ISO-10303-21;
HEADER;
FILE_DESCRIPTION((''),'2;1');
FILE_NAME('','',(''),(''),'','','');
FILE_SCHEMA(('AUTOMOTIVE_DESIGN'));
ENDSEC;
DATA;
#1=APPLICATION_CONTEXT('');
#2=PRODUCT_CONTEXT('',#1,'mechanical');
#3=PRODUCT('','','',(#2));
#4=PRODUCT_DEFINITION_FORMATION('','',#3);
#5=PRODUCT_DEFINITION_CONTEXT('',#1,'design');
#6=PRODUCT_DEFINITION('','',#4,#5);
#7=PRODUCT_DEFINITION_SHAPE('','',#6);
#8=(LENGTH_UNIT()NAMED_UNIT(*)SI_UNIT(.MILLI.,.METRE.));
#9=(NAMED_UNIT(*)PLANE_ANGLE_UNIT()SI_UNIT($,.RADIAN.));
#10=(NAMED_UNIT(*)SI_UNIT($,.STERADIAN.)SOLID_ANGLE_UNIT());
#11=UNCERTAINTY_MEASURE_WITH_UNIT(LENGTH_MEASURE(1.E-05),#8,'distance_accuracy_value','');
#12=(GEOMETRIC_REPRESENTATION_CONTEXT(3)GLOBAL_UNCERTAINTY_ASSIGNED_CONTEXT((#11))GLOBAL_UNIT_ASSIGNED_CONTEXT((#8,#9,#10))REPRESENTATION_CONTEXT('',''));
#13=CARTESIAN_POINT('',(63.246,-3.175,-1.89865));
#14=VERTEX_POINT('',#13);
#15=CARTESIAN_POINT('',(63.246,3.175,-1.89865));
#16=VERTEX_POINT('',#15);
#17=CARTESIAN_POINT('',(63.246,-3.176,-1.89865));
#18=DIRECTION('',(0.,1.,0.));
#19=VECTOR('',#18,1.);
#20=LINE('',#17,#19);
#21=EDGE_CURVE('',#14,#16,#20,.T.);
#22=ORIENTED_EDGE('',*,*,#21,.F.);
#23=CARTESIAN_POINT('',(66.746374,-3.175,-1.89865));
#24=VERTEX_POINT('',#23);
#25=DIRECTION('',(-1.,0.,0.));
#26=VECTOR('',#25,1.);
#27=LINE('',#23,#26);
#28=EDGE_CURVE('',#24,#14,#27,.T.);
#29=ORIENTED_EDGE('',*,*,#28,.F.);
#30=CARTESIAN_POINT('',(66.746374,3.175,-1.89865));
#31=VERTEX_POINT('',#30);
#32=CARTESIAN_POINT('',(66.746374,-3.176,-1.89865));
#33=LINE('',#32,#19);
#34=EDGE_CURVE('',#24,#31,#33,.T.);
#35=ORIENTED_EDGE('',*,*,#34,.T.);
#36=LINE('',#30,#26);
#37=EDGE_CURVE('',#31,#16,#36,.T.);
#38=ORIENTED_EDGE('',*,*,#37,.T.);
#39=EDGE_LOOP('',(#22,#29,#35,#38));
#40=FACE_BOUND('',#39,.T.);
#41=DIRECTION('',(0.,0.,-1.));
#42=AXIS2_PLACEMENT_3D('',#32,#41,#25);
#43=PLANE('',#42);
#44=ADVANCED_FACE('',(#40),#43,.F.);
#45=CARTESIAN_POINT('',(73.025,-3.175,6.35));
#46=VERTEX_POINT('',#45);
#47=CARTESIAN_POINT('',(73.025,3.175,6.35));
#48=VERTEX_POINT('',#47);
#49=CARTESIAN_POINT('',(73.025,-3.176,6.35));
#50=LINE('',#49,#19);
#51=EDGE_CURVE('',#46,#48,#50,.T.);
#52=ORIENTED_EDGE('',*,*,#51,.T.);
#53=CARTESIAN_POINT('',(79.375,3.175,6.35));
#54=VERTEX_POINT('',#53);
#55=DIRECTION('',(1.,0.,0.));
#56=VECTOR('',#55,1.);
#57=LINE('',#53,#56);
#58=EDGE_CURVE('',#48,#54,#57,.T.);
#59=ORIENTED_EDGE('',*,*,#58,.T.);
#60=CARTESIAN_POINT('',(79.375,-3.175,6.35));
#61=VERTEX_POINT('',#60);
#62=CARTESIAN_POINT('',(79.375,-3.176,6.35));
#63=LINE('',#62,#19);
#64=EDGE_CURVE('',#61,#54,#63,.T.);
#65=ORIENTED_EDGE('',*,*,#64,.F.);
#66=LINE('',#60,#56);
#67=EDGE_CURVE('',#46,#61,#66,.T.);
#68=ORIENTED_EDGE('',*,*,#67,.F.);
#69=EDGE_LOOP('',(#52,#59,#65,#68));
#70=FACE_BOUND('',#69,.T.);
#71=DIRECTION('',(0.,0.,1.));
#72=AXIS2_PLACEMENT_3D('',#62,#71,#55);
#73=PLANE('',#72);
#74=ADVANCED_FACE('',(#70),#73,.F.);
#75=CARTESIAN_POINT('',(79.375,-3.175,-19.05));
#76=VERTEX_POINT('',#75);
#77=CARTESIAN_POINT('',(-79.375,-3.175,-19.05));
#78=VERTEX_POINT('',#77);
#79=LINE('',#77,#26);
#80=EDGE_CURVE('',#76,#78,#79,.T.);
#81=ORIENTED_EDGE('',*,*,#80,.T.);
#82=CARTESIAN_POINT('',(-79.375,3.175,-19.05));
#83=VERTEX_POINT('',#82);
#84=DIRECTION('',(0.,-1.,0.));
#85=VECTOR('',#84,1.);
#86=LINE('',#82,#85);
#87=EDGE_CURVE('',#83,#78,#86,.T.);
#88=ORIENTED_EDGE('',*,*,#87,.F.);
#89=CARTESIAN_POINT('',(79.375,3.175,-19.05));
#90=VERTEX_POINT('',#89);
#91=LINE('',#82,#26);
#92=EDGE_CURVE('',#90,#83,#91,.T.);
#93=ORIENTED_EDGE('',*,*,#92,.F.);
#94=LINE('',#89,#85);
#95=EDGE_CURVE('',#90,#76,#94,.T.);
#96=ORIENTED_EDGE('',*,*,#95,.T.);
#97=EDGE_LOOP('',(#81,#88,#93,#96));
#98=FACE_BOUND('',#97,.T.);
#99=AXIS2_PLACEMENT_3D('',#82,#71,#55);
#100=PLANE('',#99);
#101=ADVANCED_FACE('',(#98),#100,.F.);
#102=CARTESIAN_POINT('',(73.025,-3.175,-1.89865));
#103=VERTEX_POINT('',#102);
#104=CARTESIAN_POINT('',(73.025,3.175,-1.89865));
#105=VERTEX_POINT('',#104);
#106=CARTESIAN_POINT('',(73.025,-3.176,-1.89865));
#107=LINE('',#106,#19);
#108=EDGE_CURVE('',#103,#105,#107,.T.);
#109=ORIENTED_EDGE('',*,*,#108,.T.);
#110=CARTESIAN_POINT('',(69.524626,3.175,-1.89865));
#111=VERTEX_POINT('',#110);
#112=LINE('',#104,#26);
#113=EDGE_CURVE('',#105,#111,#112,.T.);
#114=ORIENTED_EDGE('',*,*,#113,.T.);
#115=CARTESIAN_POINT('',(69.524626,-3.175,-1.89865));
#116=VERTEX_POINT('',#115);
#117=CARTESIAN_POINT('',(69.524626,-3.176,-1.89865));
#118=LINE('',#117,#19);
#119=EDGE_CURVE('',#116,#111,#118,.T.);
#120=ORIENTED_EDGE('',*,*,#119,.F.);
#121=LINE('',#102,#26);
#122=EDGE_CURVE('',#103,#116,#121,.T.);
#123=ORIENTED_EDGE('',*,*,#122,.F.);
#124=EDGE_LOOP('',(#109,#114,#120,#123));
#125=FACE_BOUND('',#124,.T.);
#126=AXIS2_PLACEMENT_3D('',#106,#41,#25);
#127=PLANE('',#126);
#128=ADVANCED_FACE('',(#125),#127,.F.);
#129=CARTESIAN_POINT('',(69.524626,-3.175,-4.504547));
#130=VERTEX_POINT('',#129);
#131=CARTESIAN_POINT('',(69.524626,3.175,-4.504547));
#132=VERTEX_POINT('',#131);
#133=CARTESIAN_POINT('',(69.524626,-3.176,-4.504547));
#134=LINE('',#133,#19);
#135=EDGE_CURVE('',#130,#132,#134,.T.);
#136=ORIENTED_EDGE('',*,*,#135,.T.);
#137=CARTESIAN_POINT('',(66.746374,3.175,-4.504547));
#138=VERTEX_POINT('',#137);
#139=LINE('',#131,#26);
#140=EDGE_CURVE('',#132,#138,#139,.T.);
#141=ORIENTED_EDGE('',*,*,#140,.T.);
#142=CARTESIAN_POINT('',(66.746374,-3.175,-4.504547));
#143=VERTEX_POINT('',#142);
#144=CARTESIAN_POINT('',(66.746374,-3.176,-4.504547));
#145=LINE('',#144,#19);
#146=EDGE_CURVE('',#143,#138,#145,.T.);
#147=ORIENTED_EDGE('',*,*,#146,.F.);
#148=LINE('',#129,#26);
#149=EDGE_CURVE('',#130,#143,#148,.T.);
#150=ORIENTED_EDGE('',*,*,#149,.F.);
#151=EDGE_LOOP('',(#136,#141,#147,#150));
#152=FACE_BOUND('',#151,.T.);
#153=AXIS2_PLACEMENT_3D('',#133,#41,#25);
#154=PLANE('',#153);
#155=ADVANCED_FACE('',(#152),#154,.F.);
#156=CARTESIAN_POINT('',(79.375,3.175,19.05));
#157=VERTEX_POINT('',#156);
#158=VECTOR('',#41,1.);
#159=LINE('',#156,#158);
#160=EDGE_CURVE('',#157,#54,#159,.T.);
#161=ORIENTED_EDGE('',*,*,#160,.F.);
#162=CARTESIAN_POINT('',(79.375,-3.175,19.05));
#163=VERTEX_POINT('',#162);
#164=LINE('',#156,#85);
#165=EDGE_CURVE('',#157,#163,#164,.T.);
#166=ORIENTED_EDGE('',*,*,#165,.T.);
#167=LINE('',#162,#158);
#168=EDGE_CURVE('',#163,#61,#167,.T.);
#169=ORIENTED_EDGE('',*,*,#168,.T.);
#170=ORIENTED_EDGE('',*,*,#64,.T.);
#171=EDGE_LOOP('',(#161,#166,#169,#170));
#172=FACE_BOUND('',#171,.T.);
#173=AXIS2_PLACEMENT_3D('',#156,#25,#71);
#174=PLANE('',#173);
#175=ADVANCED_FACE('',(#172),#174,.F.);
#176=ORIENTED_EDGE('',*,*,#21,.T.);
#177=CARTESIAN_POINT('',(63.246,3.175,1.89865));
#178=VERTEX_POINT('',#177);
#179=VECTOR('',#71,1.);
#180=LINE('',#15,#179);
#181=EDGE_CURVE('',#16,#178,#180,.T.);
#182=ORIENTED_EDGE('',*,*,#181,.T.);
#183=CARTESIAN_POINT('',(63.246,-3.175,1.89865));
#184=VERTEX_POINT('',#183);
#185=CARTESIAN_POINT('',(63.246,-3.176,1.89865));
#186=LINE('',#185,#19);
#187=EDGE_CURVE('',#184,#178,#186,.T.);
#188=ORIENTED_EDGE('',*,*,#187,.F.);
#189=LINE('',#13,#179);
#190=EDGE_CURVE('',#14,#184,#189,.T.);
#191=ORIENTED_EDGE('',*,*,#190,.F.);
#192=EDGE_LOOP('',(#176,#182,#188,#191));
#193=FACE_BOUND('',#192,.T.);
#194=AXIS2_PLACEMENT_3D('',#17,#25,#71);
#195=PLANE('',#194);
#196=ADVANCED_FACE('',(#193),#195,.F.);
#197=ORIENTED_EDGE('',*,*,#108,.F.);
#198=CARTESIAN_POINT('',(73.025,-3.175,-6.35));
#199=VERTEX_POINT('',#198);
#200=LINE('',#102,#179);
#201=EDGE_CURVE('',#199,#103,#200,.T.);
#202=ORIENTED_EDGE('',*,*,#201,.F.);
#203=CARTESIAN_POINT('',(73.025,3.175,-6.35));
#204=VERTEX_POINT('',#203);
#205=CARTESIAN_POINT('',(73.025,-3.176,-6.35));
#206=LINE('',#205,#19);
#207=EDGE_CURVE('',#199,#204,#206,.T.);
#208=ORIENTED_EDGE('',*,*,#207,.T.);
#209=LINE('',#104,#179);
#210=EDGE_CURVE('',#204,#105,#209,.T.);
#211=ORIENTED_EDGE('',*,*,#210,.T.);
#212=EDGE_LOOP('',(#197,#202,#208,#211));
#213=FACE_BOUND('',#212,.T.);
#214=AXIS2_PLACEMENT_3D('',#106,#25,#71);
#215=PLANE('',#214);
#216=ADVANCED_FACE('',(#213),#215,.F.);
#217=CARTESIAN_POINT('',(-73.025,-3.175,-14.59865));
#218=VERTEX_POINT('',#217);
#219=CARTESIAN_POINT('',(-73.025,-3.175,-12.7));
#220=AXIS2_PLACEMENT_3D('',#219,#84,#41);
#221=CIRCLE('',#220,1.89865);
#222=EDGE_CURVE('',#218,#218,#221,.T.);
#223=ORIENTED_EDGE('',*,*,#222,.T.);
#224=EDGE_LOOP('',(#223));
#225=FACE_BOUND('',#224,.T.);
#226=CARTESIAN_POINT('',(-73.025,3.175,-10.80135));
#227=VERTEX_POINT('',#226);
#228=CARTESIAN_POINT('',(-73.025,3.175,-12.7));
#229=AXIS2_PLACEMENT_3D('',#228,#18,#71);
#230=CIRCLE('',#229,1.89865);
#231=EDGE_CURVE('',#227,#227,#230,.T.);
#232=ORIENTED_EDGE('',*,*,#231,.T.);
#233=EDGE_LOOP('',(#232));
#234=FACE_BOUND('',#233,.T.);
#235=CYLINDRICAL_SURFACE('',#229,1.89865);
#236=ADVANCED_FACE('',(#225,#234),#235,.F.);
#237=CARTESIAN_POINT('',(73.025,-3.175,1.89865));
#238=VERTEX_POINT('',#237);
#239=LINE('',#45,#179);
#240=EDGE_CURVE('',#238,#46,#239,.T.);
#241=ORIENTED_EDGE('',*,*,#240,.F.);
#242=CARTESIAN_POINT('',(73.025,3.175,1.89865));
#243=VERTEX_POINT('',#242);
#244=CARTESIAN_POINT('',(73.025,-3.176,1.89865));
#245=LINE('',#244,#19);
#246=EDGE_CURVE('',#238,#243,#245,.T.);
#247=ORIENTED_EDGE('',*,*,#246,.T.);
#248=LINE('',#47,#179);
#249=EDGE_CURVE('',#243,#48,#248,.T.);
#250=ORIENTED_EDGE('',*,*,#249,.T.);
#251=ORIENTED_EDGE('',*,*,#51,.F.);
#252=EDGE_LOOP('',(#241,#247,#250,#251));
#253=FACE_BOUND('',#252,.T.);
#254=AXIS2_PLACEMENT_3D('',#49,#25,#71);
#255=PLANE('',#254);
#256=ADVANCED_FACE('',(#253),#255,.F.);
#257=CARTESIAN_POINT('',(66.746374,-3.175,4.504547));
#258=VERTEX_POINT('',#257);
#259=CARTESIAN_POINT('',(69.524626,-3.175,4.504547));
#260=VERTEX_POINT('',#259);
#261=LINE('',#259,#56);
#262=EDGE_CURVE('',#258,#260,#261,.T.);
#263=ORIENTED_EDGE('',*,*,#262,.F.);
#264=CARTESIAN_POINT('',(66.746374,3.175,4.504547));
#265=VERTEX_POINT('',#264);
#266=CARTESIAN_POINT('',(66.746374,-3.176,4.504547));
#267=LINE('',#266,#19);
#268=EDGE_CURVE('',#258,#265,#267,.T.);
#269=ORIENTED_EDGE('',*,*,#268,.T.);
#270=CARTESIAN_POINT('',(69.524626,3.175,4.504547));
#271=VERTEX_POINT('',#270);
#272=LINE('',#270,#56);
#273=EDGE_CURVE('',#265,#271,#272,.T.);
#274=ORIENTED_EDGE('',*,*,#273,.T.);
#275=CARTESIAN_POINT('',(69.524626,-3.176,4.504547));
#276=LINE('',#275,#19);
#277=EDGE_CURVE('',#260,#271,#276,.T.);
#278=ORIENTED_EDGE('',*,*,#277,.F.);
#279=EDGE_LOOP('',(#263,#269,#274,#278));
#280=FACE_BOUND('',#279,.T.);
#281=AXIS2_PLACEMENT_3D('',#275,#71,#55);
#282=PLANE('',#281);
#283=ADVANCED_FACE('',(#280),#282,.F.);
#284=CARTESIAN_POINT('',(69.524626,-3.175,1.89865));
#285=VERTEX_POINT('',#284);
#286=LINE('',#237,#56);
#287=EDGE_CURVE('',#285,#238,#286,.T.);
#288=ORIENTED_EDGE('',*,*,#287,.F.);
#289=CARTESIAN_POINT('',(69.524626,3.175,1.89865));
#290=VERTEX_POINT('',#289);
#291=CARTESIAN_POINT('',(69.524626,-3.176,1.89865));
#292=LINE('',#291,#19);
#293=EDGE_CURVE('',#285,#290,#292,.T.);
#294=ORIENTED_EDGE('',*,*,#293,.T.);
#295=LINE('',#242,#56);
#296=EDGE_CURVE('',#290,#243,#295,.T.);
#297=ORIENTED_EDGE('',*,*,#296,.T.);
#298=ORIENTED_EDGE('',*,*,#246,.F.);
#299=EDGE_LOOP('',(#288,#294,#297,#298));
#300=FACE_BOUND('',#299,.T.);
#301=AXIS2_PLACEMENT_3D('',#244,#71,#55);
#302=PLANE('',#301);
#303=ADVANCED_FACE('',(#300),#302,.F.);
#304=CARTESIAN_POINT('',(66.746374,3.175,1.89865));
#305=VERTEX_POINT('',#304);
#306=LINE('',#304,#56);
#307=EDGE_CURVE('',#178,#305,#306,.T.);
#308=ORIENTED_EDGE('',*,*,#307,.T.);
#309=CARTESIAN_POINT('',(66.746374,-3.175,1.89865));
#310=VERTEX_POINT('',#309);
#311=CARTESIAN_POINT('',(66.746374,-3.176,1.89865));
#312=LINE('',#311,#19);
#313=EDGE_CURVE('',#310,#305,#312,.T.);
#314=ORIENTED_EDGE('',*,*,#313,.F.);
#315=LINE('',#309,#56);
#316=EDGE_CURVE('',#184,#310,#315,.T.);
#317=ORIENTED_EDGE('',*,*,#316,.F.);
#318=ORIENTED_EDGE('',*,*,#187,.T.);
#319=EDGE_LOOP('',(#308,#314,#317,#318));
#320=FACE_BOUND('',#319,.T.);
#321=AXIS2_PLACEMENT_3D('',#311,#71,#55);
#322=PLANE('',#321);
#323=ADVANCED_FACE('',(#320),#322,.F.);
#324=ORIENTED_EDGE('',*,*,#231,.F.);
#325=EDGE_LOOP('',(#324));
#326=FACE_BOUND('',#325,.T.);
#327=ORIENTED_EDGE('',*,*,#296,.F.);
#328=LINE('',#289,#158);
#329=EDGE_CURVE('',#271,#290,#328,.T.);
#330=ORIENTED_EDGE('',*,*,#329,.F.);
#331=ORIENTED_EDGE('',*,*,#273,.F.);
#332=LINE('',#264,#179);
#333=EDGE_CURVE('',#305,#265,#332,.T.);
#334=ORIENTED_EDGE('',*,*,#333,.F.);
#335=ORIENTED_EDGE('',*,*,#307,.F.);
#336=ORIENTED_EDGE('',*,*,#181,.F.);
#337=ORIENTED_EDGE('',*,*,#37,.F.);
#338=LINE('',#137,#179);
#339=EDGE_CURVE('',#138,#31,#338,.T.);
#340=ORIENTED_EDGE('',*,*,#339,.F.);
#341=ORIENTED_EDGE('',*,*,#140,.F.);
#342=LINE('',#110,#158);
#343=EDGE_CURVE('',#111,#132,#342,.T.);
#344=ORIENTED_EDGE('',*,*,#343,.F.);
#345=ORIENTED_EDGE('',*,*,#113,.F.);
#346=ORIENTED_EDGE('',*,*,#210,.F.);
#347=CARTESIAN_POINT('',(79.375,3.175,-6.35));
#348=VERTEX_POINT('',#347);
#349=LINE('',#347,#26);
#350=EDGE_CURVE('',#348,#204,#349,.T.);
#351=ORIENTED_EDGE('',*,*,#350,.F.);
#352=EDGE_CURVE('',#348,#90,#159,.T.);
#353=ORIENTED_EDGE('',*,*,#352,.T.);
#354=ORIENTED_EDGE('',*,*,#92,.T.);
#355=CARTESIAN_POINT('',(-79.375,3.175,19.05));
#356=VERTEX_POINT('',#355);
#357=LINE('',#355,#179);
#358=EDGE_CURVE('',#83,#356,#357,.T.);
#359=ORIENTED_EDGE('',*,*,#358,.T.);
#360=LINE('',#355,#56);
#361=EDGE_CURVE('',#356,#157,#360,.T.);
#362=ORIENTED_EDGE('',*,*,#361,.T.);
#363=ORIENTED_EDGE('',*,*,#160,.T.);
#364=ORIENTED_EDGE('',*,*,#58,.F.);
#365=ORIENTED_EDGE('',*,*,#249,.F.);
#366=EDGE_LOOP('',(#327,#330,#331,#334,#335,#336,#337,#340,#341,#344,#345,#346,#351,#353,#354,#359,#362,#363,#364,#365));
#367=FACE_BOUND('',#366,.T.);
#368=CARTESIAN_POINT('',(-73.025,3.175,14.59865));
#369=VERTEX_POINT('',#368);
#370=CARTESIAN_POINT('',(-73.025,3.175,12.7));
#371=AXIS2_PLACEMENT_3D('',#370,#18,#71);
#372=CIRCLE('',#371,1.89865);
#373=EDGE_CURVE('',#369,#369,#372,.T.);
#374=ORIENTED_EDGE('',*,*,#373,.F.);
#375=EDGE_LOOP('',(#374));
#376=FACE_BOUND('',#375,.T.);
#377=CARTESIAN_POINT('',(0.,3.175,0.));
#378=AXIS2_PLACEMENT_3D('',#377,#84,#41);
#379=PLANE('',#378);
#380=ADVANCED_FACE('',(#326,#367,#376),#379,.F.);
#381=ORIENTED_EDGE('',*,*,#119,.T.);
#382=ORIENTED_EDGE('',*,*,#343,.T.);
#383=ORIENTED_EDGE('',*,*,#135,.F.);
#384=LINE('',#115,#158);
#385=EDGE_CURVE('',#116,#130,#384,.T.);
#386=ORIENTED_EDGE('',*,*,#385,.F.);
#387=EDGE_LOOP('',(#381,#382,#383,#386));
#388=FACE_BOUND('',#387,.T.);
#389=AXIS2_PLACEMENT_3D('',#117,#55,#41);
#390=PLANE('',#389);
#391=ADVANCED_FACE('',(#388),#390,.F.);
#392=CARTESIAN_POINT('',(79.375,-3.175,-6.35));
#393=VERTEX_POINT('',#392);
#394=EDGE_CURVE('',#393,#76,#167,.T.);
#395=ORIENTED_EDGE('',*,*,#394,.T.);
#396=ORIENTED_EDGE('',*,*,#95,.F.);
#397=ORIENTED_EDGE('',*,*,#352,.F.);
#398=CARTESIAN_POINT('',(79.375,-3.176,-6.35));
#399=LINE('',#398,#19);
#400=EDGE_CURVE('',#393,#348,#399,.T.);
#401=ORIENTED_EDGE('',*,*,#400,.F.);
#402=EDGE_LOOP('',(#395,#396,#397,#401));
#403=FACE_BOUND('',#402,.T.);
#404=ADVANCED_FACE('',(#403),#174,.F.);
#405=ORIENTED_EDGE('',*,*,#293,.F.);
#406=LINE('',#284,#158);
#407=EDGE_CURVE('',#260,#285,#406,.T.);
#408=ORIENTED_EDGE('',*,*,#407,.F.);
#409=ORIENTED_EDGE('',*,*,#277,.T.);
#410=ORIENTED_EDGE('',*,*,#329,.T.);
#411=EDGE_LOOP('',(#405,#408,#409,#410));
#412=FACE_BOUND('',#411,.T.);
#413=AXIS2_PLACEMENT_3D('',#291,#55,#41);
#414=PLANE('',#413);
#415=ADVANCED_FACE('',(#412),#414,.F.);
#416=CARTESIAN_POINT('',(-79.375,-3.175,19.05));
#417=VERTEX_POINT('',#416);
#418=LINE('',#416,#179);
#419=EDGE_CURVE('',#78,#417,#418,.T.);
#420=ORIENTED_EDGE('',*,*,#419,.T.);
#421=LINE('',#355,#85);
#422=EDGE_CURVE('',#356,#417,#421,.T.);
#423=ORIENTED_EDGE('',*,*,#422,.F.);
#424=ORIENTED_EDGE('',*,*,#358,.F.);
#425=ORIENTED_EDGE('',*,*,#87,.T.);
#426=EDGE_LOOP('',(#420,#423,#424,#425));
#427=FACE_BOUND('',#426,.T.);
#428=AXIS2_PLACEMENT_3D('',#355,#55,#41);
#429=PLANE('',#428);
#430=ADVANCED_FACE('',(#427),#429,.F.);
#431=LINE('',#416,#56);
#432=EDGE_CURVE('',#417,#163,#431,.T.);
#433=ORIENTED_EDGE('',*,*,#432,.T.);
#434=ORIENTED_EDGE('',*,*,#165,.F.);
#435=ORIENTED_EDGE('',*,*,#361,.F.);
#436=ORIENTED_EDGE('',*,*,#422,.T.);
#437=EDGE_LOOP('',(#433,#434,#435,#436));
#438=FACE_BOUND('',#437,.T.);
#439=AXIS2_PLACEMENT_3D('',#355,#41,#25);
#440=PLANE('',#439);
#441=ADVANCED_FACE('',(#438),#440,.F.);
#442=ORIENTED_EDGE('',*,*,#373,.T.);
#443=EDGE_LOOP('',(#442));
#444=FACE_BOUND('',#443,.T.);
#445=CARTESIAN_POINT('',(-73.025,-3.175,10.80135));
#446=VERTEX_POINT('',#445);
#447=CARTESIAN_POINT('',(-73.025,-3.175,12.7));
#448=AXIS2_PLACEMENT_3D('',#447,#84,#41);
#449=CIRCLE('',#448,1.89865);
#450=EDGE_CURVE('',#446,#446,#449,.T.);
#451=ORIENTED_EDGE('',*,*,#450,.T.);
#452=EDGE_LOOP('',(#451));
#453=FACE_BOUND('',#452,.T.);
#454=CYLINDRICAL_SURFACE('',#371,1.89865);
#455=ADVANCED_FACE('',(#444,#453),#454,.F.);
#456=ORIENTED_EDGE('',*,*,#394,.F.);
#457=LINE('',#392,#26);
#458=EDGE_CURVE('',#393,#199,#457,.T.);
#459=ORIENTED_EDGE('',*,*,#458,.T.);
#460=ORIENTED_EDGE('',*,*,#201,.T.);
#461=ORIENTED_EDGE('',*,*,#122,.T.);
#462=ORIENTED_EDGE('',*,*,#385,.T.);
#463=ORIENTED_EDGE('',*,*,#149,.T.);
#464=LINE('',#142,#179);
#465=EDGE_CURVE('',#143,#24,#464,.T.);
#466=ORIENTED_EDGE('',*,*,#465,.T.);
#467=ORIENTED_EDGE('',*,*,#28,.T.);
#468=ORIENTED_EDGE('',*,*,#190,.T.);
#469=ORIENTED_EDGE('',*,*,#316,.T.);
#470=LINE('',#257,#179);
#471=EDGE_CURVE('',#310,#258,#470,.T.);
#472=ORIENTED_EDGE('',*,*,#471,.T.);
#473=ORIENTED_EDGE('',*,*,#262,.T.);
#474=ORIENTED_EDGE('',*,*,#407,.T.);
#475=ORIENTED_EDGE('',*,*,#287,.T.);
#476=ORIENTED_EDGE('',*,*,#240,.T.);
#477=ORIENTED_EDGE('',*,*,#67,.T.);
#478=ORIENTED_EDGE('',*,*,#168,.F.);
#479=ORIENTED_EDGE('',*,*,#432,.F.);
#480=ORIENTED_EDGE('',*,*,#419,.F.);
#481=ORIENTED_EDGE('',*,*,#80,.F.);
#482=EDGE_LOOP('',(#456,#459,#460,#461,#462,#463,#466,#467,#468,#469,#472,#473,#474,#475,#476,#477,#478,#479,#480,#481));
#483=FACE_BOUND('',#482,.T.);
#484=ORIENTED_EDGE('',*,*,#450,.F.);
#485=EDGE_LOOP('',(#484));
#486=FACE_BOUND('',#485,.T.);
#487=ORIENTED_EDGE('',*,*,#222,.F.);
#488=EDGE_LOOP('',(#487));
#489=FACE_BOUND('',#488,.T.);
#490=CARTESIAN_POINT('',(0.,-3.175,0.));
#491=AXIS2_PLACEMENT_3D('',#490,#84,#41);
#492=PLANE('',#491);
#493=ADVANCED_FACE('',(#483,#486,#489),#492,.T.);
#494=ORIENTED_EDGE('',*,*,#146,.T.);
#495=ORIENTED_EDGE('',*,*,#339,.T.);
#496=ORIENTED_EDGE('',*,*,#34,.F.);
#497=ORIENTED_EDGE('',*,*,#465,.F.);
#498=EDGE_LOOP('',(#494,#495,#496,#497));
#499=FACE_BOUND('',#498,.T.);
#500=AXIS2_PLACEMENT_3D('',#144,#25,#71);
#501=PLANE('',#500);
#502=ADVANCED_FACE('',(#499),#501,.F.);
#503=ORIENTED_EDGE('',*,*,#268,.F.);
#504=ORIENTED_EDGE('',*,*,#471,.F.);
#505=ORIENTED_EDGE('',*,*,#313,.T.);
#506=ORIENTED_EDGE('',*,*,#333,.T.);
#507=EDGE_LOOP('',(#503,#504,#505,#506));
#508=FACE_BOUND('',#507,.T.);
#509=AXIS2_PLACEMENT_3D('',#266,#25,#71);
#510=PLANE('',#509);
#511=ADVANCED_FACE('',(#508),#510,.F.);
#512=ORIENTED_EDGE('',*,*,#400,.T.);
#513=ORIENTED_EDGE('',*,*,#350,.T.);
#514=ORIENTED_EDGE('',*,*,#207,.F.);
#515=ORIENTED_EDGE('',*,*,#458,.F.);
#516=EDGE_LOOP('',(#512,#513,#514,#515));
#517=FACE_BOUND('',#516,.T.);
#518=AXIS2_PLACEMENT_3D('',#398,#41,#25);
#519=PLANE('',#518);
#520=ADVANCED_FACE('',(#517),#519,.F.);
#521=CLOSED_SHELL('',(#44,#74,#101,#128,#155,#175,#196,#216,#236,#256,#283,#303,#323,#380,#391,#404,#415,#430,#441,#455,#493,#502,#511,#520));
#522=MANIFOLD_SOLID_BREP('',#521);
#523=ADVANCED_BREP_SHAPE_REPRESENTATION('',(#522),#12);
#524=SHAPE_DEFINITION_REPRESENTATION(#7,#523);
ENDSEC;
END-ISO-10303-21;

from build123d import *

# Parameters (mm, degrees)
SKETCH1_W             = 158.75
SKETCH1_H             = 38.1
BOSS_EXTRUDE1_DEPTH   = 3.175
CUT_EXTRUDE1_REACH    = 83.876
F_6_CLEARANCE_HOLE1_D = 3.7973


with BuildPart() as part:
    # Sketch1 → Boss-Extrude1 (new, symmetric)
    with BuildSketch(Plane(origin=(0, 0, 0), x_dir=(1, 0, 0), z_dir=(0, 1, 0))):
        Rectangle(SKETCH1_W, SKETCH1_H)
    extrude(amount=BOSS_EXTRUDE1_DEPTH, both=True)

    # Sketch2 → Cut-Extrude1 (cut, up to next)
    with BuildSketch(Plane(origin=(0, 3.175, 0), x_dir=(1, 0, 0), z_dir=(0, 1, 0)), mode=Mode.PRIVATE) as cut_extrude1_sk1:
        Polygon((79.375, -6.35), (79.375, 6.35), (73.025, 6.35), (73.025, 1.89865), (69.524626, 1.89865), (69.524626, 4.504546622), (66.746374, 4.504546622), (66.746374, 1.89865), (63.246, 1.89865), (63.246, -1.89865), (66.746374, -1.89865), (66.746374, -4.504546622), (69.524626, -4.504546622), (69.524626, -1.89865), (73.025, -1.89865), (73.025, -6.35), align=None)
    cut_extrude1_tool1 = extrude(cut_extrude1_sk1.sketch, amount=-CUT_EXTRUDE1_REACH, mode=Mode.PRIVATE) & part.part
    add(cut_extrude1_tool1.solids().sort_by_distance((73.052853, 3.175, 0))[0], mode=Mode.SUBTRACT)

    # #6 Clearance Hole1 (through all)
    with Locations(Plane(origin=(0, 3.175, 0), x_dir=(1, 0, 0), z_dir=(0, 1, 0))):
        with Locations((-73.025, -12.7)):
            f_6_clearance_hole1 = Hole(F_6_CLEARANCE_HOLE1_D / 2)

    # Mirror1: #6 Clearance Hole1 across plane
    add(f_6_clearance_hole1.mirror(Plane.XY), mode=Mode.SUBTRACT)


solid = part.part
